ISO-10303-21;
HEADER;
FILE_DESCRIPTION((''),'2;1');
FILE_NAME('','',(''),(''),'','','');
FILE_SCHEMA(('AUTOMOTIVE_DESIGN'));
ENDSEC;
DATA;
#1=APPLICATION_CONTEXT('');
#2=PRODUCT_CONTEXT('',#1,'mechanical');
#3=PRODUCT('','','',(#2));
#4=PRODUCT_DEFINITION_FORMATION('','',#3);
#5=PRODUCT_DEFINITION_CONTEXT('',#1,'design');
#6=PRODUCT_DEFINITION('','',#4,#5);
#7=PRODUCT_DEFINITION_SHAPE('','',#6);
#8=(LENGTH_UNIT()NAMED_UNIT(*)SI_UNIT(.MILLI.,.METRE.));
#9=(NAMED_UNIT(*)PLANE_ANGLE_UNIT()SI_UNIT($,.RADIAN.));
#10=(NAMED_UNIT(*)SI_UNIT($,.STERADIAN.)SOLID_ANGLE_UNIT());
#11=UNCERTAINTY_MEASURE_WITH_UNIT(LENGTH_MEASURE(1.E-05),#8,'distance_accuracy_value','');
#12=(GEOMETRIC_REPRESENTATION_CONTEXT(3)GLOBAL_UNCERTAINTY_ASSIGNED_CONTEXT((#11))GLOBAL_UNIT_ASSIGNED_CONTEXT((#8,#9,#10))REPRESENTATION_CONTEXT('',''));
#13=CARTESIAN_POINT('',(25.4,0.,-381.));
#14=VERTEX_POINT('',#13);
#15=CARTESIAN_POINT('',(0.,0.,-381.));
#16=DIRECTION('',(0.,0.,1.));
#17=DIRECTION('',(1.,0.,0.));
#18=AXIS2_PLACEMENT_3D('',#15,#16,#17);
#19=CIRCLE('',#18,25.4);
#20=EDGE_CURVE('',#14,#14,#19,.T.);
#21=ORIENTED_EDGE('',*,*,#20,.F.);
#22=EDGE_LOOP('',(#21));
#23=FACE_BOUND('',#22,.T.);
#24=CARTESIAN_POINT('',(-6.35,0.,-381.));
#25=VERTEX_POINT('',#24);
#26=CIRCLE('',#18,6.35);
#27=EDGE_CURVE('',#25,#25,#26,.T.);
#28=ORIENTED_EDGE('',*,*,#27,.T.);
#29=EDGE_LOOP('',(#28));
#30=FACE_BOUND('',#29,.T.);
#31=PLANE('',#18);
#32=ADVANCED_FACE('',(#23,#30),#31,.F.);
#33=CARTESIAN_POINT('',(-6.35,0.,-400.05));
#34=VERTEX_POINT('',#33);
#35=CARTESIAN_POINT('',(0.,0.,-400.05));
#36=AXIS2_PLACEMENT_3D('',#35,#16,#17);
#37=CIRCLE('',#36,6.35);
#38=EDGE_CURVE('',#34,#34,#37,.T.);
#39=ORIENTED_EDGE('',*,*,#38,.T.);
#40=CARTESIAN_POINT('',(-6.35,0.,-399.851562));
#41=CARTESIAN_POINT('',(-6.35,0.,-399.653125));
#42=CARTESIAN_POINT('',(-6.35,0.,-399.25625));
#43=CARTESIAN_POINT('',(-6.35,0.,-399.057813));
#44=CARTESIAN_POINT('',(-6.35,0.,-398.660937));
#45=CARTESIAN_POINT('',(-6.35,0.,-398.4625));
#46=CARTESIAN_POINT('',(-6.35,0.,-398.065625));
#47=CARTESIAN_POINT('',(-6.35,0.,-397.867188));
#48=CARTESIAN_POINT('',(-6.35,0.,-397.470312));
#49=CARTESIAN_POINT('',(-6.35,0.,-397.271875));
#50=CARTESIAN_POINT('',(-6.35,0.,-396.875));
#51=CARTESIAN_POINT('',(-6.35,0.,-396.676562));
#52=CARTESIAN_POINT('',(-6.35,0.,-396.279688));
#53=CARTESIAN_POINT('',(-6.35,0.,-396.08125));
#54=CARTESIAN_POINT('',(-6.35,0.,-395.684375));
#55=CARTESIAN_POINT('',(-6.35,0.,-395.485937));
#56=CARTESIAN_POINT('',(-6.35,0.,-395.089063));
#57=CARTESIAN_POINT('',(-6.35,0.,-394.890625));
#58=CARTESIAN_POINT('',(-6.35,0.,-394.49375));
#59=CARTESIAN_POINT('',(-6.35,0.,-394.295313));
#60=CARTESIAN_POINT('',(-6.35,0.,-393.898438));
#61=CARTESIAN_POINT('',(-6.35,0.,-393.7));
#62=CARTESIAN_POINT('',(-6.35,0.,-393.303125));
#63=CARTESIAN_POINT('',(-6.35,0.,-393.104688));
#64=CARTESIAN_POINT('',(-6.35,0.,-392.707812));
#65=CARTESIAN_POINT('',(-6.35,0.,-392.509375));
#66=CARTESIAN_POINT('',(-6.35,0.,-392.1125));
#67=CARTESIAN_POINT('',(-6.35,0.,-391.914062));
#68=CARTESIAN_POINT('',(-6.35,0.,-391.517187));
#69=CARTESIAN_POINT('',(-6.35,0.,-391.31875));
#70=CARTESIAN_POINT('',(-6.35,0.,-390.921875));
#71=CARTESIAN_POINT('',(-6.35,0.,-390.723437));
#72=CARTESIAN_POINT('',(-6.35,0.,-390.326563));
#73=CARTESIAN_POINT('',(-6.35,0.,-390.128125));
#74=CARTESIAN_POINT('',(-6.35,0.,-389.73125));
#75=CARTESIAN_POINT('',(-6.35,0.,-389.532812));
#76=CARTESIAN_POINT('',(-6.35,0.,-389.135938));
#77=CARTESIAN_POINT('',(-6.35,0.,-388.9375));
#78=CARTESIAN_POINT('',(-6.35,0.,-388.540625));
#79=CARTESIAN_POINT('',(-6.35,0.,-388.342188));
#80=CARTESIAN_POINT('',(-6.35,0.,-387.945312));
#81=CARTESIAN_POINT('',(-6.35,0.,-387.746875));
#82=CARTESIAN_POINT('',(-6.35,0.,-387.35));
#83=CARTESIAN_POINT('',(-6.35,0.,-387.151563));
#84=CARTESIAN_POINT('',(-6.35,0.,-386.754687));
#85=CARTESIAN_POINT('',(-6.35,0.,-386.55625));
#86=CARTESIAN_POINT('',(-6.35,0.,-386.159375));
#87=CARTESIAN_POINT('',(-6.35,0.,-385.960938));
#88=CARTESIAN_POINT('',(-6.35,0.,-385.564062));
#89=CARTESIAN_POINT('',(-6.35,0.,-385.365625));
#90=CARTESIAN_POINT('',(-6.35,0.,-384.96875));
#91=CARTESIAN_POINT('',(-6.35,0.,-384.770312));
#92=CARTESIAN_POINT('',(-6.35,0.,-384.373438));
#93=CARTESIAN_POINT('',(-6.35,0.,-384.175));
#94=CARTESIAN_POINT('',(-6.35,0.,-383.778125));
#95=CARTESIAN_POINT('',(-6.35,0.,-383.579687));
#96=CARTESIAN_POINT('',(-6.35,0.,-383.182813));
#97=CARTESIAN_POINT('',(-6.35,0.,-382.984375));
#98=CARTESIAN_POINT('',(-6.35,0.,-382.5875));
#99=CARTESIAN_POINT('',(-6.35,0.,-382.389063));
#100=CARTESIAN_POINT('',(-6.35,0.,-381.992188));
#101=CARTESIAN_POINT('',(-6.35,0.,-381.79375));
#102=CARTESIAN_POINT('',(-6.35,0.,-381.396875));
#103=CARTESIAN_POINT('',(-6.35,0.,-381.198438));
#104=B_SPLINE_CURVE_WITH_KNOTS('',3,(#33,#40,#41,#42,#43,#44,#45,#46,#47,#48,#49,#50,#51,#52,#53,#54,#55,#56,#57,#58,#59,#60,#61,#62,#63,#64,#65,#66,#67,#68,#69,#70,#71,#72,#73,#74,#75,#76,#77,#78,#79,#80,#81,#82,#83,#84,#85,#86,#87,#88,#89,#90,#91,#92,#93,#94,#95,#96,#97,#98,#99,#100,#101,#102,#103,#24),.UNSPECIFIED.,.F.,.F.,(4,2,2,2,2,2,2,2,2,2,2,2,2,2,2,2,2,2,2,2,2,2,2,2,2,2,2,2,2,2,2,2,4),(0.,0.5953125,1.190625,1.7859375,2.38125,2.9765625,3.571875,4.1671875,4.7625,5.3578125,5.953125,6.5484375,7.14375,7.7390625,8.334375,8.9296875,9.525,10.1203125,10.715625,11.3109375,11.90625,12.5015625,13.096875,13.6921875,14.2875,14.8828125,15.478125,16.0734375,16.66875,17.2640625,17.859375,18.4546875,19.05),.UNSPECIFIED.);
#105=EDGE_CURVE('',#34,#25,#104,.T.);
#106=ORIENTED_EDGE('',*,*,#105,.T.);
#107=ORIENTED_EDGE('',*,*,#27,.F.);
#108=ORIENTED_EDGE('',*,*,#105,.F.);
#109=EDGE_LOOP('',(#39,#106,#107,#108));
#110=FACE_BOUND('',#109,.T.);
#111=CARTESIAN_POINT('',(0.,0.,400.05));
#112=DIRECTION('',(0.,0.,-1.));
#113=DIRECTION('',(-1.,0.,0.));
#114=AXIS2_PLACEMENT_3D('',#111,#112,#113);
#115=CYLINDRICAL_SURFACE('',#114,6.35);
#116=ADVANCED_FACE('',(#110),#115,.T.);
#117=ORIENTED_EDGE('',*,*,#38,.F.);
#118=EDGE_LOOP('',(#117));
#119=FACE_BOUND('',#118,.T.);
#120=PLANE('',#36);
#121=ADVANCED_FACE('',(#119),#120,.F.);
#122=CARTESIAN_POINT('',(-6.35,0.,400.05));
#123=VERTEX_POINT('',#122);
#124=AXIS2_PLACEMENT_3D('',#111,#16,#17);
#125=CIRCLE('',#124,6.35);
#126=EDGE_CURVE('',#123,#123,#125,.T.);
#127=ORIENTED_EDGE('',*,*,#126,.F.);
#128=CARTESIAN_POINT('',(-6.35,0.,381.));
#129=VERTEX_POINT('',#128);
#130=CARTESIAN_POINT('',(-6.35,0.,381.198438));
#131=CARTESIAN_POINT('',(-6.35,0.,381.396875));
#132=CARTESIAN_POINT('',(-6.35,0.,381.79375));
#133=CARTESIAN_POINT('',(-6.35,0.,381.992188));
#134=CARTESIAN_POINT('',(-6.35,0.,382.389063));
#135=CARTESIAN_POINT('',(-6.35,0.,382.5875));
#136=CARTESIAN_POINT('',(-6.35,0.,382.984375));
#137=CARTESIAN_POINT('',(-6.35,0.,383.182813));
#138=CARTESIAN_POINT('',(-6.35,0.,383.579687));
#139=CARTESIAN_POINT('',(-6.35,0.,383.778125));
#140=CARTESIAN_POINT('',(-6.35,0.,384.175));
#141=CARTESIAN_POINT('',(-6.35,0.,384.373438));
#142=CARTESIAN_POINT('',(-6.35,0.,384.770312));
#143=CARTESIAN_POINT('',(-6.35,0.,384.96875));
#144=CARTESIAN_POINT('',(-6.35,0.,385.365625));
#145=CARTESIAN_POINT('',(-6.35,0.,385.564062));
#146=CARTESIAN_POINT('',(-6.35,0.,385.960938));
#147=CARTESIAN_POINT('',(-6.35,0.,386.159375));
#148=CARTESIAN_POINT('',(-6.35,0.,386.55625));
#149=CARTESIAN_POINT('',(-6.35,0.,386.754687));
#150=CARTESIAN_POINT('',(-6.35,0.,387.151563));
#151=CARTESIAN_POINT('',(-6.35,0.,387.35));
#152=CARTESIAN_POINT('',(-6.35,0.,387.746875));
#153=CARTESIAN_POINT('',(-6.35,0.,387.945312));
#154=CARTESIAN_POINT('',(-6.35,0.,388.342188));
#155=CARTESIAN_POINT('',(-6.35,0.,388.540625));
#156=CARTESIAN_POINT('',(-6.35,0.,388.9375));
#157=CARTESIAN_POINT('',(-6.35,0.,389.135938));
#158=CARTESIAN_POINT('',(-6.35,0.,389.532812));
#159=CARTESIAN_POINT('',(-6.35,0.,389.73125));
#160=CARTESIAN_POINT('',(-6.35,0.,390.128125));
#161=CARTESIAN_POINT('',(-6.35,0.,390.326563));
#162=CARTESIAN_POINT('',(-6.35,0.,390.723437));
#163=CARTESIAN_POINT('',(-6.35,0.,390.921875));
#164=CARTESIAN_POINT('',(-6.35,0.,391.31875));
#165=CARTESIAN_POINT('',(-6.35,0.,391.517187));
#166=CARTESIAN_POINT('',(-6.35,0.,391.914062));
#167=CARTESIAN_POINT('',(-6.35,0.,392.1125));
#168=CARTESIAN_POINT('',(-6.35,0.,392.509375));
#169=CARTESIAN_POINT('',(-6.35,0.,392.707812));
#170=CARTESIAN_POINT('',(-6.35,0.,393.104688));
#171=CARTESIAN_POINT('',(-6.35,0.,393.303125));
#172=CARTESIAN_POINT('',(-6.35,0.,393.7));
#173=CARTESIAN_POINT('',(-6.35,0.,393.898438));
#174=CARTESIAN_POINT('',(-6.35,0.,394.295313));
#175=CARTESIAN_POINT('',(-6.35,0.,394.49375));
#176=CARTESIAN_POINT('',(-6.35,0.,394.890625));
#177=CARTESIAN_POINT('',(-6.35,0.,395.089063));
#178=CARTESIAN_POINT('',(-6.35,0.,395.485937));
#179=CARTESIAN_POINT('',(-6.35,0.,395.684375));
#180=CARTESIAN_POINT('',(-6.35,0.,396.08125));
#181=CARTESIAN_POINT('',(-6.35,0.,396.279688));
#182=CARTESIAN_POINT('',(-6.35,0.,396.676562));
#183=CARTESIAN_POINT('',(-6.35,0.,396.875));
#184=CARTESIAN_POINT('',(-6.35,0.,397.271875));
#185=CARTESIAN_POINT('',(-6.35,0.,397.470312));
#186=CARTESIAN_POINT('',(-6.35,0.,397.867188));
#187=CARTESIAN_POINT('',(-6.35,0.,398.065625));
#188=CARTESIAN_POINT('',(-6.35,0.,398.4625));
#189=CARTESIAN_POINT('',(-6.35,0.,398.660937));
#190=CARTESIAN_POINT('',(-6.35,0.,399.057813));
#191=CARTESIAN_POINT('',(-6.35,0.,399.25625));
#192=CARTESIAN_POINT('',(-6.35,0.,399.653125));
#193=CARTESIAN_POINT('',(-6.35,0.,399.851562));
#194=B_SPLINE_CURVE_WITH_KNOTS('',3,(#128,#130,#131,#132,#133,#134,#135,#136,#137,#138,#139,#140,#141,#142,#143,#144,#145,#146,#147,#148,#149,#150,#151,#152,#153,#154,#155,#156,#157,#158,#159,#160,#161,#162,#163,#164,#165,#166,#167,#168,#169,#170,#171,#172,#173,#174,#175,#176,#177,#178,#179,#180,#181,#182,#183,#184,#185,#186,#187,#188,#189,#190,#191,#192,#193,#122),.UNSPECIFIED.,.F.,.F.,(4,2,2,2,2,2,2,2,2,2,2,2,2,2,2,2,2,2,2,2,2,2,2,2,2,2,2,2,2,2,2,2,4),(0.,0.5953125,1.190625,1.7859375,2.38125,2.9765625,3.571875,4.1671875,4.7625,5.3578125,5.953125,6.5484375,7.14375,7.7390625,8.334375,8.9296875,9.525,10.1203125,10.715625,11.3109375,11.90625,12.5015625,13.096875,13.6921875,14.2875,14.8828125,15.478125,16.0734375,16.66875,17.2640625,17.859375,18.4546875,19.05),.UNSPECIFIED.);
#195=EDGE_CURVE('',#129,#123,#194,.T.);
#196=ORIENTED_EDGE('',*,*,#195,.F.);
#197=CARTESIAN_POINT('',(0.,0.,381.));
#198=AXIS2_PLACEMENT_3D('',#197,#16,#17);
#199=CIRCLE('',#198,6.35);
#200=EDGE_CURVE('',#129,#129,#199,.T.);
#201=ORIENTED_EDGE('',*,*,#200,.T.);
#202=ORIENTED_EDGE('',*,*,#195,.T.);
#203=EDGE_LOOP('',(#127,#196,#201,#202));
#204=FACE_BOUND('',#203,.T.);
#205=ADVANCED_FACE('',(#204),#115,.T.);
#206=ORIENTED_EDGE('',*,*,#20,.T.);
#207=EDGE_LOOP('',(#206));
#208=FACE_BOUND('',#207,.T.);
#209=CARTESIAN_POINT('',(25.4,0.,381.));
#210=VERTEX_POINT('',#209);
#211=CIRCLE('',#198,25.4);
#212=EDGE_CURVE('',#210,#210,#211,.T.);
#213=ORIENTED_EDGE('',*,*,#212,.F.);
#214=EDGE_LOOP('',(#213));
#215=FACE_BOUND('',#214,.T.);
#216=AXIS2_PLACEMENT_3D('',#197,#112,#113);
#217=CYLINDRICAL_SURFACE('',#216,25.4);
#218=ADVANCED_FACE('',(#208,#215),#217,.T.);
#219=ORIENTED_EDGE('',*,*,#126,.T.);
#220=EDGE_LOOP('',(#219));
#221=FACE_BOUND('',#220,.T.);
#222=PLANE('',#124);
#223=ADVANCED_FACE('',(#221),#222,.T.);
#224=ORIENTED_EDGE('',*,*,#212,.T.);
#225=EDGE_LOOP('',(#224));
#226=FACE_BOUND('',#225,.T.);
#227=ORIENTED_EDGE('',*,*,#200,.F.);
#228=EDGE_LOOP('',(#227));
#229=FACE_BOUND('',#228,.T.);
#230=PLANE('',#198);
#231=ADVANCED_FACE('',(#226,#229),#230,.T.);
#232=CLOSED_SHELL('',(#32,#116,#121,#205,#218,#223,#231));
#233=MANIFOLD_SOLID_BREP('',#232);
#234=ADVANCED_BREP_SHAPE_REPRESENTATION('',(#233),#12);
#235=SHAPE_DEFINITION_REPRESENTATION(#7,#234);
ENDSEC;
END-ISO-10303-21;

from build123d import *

# Parameters (mm, degrees)
SKETCH1_R           = 6.35
BOSS_EXTRUDE1_DEPTH = 400.05
SKETCH1_3_R         = 25.4
SKETCH1_3_R_2       = 6.35
BOSS_EXTRUDE2_DEPTH = 381


with BuildPart() as part:
    # Sketch1 → Boss-Extrude1 (new, symmetric)
    with BuildSketch(Plane.XY):
        Circle(SKETCH1_R)
    extrude(amount=BOSS_EXTRUDE1_DEPTH, both=True)

    # Sketch1<3> → Boss-Extrude2 (add, symmetric)
    with BuildSketch(Plane.XY):
        Circle(SKETCH1_3_R)
        Circle(SKETCH1_3_R_2, mode=Mode.SUBTRACT)
    extrude(amount=BOSS_EXTRUDE2_DEPTH, both=True)


solid = part.part
